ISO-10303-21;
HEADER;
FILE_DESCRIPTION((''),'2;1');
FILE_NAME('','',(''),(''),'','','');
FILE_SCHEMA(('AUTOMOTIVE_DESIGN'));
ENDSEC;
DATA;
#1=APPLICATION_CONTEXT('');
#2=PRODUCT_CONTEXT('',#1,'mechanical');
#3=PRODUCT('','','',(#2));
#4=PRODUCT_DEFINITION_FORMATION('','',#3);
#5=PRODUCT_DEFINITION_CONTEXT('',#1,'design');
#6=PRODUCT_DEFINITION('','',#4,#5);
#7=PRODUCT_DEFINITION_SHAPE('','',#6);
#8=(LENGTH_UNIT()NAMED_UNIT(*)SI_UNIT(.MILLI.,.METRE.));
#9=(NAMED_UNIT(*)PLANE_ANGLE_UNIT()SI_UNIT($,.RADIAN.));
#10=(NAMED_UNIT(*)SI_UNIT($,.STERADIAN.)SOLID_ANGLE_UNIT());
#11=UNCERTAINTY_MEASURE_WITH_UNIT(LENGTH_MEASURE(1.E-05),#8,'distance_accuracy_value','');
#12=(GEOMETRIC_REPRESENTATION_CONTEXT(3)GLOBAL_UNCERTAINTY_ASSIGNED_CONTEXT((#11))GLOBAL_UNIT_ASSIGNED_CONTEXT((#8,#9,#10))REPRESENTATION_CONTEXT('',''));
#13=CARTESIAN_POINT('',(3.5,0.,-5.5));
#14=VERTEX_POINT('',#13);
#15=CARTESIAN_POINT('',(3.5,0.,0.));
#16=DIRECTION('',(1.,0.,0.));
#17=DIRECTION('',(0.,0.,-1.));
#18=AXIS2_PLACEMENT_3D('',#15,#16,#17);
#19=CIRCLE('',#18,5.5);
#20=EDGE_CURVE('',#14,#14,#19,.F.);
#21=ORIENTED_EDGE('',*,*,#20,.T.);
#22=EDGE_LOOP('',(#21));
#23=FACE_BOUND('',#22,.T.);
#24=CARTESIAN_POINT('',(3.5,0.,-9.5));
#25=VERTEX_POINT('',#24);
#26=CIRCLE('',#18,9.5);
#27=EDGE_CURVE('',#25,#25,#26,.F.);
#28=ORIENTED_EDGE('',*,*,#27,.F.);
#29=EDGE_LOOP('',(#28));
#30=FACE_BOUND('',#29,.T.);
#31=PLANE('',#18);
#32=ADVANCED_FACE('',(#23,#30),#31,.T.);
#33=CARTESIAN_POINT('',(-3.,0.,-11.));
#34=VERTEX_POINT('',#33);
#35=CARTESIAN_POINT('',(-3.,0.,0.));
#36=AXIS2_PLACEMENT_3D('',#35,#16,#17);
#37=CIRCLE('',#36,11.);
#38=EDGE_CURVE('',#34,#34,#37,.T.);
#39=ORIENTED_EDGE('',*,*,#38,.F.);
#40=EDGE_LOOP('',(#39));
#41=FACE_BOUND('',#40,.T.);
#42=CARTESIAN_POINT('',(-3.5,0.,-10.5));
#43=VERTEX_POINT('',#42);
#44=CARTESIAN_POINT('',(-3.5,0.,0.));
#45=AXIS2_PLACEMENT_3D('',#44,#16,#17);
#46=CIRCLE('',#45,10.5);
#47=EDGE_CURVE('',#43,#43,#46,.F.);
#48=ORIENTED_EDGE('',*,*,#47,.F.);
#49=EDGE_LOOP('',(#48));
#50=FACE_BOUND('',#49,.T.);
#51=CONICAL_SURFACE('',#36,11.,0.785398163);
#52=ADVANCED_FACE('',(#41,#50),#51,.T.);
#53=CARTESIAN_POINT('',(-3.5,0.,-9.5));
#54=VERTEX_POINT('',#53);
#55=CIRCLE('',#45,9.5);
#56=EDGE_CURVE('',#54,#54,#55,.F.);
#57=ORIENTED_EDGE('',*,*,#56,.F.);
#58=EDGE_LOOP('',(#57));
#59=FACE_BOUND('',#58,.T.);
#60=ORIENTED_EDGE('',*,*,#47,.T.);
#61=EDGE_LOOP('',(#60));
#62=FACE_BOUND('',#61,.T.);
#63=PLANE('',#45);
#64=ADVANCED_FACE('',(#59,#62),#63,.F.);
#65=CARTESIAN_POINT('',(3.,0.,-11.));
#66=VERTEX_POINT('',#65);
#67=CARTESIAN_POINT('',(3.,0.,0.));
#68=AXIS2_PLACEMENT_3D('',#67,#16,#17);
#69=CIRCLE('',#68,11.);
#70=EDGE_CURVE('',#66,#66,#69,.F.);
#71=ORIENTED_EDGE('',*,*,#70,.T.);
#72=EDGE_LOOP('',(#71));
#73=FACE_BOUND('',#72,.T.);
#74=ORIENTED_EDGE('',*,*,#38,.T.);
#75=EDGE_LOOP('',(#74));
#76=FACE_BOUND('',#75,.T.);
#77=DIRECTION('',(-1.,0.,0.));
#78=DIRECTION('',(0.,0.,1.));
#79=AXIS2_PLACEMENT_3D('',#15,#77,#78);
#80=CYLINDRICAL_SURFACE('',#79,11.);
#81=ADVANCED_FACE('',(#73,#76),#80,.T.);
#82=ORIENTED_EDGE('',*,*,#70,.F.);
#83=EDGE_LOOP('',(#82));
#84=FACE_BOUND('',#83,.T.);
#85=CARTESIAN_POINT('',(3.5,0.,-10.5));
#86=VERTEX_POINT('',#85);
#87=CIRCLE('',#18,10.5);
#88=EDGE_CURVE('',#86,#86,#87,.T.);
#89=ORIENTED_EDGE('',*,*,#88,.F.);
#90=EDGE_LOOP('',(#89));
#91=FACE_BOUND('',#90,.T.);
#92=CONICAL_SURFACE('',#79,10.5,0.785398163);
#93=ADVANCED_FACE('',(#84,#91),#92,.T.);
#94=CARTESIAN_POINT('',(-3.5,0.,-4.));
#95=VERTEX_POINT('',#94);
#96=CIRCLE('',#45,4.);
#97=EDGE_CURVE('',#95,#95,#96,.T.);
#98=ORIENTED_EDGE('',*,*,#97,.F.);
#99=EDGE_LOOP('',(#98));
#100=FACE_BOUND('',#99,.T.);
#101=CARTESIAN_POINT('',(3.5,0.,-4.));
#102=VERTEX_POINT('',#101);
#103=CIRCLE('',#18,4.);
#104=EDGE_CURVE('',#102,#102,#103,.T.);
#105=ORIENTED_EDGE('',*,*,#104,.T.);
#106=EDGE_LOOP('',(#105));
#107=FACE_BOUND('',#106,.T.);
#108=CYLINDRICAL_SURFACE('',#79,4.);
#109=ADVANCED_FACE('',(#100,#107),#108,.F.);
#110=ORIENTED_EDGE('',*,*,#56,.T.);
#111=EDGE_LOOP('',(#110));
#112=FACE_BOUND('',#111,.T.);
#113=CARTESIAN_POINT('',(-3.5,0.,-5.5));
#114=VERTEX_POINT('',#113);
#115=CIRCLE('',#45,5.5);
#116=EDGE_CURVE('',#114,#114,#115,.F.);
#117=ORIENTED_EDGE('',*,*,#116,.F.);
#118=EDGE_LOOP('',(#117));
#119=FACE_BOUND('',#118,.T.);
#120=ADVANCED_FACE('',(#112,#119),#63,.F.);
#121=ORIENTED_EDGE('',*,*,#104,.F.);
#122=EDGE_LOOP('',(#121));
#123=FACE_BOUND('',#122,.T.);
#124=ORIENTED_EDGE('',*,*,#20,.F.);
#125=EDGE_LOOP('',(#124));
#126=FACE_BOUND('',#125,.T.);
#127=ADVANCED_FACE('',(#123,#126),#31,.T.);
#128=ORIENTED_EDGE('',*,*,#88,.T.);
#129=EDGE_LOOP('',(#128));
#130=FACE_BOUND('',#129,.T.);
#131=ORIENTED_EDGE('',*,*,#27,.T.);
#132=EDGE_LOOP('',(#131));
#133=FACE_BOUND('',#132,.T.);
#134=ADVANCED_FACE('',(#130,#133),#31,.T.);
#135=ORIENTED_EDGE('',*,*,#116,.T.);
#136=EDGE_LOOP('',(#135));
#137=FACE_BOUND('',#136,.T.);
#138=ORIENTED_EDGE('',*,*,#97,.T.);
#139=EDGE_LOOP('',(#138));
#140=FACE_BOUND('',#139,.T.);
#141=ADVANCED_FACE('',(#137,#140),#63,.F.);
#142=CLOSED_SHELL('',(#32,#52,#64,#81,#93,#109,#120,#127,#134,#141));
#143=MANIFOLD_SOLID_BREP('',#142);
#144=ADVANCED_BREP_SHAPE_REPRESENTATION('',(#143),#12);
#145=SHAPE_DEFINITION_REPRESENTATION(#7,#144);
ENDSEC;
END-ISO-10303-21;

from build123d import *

# Parameters (mm, degrees)
SKETCH1_R           = 11
SKETCH1_R_2         = 4
BOSS_EXTRUDE1_DEPTH = 3.5
CHAMFER1_SIZE       = 0.5


with BuildPart() as part:
    # Sketch1 → Boss-Extrude1 (new, symmetric)
    with BuildSketch(Plane(origin=(0, 0, 0), x_dir=(0, 0, -1), z_dir=(1, 0, 0))):
        Circle(SKETCH1_R)
        Circle(SKETCH1_R_2, mode=Mode.SUBTRACT)
    extrude(amount=BOSS_EXTRUDE1_DEPTH, both=True)

    # Chamfer1
    chamfer1_edges = [part.edges().sort_by_distance(p)[0] for p in [
        (-3.5, 0, 11),
        (3.5, 0, 11),
    ]]
    chamfer(chamfer1_edges, length=CHAMFER1_SIZE)


solid = part.part
